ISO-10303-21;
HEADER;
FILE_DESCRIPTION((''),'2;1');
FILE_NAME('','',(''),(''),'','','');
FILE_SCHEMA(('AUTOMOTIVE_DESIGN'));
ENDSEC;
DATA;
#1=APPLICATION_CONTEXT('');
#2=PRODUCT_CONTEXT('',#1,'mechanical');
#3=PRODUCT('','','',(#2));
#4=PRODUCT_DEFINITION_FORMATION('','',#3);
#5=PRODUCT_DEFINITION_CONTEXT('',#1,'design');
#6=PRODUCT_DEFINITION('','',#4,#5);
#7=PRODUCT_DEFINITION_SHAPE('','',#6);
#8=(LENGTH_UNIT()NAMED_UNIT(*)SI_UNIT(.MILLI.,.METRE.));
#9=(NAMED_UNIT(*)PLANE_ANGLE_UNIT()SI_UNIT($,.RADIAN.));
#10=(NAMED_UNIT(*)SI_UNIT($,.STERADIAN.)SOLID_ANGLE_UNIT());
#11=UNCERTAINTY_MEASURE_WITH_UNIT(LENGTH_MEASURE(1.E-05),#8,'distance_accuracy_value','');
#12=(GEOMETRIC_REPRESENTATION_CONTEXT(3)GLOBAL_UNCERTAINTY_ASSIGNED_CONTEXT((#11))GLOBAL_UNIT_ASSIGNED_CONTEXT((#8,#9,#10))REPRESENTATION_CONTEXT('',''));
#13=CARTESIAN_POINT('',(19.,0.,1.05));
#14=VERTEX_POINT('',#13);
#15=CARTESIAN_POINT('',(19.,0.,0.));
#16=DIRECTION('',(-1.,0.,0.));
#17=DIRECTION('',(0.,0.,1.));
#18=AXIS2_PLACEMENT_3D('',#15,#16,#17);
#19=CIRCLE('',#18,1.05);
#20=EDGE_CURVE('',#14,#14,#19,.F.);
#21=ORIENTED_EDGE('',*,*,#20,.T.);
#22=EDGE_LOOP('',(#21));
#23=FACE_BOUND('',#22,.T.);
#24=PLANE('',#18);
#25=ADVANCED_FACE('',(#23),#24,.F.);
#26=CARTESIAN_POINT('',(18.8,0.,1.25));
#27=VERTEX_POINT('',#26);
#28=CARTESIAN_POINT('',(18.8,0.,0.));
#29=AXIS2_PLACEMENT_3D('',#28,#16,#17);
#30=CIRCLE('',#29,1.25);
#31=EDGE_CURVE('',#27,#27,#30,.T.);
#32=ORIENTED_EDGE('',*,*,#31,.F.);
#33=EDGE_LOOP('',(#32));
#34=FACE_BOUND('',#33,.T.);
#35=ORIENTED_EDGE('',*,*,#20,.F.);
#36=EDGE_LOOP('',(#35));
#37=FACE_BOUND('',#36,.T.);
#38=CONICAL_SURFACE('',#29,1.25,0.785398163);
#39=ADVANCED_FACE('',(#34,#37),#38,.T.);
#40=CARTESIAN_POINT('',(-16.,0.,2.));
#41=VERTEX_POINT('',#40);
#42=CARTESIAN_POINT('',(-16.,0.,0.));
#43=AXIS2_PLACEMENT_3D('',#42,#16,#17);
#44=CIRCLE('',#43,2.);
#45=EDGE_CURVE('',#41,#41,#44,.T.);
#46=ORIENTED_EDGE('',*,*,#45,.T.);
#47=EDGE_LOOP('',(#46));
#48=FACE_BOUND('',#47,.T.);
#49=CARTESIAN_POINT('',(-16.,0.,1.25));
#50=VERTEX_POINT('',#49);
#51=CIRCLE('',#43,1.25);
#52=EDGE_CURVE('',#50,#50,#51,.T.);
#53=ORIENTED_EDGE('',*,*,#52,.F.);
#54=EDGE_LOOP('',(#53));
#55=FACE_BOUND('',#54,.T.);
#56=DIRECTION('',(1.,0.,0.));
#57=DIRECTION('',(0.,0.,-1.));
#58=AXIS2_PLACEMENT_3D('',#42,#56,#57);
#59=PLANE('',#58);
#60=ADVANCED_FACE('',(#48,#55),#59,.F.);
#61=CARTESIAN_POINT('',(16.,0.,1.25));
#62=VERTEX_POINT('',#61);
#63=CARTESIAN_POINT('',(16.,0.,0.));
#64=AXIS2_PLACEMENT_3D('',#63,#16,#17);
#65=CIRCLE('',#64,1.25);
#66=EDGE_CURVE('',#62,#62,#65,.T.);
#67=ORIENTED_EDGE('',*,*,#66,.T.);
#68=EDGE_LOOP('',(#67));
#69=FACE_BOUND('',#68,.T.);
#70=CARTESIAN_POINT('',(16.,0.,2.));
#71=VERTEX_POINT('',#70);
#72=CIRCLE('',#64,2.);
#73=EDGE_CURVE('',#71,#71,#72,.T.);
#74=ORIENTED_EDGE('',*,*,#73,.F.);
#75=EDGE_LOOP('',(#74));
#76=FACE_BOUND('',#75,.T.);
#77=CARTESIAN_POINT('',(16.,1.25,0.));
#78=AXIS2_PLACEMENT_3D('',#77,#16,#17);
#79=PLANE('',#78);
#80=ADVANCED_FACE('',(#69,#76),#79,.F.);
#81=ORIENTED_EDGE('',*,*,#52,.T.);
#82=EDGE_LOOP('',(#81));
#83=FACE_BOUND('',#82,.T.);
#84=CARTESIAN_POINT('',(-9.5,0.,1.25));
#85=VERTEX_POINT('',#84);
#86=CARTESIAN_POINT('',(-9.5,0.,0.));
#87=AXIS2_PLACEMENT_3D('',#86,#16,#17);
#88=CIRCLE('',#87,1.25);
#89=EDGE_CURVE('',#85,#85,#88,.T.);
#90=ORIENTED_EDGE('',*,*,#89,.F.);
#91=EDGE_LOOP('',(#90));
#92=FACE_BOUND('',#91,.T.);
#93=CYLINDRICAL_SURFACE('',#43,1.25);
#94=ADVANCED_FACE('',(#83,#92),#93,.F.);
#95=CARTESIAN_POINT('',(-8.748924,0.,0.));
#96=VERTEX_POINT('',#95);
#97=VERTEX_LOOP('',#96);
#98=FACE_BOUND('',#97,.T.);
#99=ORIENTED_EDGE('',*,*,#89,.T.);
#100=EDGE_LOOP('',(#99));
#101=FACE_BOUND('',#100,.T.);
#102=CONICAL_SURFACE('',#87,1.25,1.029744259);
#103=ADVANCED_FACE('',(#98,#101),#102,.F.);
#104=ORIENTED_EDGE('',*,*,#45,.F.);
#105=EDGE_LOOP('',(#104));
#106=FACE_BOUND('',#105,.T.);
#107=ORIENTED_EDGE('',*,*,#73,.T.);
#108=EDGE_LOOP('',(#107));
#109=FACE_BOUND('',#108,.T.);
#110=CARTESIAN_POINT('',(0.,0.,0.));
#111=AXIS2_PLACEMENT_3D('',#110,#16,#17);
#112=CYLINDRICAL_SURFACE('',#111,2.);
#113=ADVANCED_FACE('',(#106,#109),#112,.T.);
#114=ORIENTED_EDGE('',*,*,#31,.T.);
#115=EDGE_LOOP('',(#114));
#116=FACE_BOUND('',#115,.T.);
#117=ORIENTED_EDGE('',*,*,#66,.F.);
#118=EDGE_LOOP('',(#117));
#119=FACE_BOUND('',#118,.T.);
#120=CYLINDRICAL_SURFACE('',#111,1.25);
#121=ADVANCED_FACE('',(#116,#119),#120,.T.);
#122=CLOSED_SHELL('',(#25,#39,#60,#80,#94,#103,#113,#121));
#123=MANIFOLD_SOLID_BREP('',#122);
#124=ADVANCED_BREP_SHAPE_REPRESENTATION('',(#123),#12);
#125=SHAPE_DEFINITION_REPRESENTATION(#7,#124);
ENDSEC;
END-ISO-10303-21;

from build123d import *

# Parameters (mm, degrees)
M3_GEWINDEBOHRUNG1_D     = 2.5
M3_GEWINDEBOHRUNG1_DEPTH = 6.5
M3_GEWINDEBOHRUNG1_TIP   = 0.751075774
FASE1_SIZE               = 0.2


with BuildPart() as part:
    # Skizze1 → Rotation1 (revolve)
    with BuildSketch(Plane.XY, mode=Mode.PRIVATE) as rotation1_sk:
        Polygon((19, 0), (-16, 0), (-16, 2), (16, 2), (16, 1.25), (19, 1.25), align=None)
    revolve(rotation1_sk.sketch.rotate(Axis((0, 0, 0), (1, 0, 0)), 90), axis=Axis((0, 0, 0), (1, 0, 0)))

    # M3 Gewindebohrung1
    with Locations(Plane.ZY.offset(16)):
        with Locations((0, 0)):
            Hole(M3_GEWINDEBOHRUNG1_D / 2, depth=M3_GEWINDEBOHRUNG1_DEPTH)
            with Locations((0, 0, -(M3_GEWINDEBOHRUNG1_DEPTH + M3_GEWINDEBOHRUNG1_TIP / 2))):  # 118° drill point
                Cone(0, M3_GEWINDEBOHRUNG1_D / 2, M3_GEWINDEBOHRUNG1_TIP, mode=Mode.SUBTRACT)

    # Fase1
    fase1_edges = [part.edges().sort_by_distance(p)[0] for p in [
        (19, 0, -1.25),
    ]]
    chamfer(fase1_edges, length=FASE1_SIZE)


solid = part.part
